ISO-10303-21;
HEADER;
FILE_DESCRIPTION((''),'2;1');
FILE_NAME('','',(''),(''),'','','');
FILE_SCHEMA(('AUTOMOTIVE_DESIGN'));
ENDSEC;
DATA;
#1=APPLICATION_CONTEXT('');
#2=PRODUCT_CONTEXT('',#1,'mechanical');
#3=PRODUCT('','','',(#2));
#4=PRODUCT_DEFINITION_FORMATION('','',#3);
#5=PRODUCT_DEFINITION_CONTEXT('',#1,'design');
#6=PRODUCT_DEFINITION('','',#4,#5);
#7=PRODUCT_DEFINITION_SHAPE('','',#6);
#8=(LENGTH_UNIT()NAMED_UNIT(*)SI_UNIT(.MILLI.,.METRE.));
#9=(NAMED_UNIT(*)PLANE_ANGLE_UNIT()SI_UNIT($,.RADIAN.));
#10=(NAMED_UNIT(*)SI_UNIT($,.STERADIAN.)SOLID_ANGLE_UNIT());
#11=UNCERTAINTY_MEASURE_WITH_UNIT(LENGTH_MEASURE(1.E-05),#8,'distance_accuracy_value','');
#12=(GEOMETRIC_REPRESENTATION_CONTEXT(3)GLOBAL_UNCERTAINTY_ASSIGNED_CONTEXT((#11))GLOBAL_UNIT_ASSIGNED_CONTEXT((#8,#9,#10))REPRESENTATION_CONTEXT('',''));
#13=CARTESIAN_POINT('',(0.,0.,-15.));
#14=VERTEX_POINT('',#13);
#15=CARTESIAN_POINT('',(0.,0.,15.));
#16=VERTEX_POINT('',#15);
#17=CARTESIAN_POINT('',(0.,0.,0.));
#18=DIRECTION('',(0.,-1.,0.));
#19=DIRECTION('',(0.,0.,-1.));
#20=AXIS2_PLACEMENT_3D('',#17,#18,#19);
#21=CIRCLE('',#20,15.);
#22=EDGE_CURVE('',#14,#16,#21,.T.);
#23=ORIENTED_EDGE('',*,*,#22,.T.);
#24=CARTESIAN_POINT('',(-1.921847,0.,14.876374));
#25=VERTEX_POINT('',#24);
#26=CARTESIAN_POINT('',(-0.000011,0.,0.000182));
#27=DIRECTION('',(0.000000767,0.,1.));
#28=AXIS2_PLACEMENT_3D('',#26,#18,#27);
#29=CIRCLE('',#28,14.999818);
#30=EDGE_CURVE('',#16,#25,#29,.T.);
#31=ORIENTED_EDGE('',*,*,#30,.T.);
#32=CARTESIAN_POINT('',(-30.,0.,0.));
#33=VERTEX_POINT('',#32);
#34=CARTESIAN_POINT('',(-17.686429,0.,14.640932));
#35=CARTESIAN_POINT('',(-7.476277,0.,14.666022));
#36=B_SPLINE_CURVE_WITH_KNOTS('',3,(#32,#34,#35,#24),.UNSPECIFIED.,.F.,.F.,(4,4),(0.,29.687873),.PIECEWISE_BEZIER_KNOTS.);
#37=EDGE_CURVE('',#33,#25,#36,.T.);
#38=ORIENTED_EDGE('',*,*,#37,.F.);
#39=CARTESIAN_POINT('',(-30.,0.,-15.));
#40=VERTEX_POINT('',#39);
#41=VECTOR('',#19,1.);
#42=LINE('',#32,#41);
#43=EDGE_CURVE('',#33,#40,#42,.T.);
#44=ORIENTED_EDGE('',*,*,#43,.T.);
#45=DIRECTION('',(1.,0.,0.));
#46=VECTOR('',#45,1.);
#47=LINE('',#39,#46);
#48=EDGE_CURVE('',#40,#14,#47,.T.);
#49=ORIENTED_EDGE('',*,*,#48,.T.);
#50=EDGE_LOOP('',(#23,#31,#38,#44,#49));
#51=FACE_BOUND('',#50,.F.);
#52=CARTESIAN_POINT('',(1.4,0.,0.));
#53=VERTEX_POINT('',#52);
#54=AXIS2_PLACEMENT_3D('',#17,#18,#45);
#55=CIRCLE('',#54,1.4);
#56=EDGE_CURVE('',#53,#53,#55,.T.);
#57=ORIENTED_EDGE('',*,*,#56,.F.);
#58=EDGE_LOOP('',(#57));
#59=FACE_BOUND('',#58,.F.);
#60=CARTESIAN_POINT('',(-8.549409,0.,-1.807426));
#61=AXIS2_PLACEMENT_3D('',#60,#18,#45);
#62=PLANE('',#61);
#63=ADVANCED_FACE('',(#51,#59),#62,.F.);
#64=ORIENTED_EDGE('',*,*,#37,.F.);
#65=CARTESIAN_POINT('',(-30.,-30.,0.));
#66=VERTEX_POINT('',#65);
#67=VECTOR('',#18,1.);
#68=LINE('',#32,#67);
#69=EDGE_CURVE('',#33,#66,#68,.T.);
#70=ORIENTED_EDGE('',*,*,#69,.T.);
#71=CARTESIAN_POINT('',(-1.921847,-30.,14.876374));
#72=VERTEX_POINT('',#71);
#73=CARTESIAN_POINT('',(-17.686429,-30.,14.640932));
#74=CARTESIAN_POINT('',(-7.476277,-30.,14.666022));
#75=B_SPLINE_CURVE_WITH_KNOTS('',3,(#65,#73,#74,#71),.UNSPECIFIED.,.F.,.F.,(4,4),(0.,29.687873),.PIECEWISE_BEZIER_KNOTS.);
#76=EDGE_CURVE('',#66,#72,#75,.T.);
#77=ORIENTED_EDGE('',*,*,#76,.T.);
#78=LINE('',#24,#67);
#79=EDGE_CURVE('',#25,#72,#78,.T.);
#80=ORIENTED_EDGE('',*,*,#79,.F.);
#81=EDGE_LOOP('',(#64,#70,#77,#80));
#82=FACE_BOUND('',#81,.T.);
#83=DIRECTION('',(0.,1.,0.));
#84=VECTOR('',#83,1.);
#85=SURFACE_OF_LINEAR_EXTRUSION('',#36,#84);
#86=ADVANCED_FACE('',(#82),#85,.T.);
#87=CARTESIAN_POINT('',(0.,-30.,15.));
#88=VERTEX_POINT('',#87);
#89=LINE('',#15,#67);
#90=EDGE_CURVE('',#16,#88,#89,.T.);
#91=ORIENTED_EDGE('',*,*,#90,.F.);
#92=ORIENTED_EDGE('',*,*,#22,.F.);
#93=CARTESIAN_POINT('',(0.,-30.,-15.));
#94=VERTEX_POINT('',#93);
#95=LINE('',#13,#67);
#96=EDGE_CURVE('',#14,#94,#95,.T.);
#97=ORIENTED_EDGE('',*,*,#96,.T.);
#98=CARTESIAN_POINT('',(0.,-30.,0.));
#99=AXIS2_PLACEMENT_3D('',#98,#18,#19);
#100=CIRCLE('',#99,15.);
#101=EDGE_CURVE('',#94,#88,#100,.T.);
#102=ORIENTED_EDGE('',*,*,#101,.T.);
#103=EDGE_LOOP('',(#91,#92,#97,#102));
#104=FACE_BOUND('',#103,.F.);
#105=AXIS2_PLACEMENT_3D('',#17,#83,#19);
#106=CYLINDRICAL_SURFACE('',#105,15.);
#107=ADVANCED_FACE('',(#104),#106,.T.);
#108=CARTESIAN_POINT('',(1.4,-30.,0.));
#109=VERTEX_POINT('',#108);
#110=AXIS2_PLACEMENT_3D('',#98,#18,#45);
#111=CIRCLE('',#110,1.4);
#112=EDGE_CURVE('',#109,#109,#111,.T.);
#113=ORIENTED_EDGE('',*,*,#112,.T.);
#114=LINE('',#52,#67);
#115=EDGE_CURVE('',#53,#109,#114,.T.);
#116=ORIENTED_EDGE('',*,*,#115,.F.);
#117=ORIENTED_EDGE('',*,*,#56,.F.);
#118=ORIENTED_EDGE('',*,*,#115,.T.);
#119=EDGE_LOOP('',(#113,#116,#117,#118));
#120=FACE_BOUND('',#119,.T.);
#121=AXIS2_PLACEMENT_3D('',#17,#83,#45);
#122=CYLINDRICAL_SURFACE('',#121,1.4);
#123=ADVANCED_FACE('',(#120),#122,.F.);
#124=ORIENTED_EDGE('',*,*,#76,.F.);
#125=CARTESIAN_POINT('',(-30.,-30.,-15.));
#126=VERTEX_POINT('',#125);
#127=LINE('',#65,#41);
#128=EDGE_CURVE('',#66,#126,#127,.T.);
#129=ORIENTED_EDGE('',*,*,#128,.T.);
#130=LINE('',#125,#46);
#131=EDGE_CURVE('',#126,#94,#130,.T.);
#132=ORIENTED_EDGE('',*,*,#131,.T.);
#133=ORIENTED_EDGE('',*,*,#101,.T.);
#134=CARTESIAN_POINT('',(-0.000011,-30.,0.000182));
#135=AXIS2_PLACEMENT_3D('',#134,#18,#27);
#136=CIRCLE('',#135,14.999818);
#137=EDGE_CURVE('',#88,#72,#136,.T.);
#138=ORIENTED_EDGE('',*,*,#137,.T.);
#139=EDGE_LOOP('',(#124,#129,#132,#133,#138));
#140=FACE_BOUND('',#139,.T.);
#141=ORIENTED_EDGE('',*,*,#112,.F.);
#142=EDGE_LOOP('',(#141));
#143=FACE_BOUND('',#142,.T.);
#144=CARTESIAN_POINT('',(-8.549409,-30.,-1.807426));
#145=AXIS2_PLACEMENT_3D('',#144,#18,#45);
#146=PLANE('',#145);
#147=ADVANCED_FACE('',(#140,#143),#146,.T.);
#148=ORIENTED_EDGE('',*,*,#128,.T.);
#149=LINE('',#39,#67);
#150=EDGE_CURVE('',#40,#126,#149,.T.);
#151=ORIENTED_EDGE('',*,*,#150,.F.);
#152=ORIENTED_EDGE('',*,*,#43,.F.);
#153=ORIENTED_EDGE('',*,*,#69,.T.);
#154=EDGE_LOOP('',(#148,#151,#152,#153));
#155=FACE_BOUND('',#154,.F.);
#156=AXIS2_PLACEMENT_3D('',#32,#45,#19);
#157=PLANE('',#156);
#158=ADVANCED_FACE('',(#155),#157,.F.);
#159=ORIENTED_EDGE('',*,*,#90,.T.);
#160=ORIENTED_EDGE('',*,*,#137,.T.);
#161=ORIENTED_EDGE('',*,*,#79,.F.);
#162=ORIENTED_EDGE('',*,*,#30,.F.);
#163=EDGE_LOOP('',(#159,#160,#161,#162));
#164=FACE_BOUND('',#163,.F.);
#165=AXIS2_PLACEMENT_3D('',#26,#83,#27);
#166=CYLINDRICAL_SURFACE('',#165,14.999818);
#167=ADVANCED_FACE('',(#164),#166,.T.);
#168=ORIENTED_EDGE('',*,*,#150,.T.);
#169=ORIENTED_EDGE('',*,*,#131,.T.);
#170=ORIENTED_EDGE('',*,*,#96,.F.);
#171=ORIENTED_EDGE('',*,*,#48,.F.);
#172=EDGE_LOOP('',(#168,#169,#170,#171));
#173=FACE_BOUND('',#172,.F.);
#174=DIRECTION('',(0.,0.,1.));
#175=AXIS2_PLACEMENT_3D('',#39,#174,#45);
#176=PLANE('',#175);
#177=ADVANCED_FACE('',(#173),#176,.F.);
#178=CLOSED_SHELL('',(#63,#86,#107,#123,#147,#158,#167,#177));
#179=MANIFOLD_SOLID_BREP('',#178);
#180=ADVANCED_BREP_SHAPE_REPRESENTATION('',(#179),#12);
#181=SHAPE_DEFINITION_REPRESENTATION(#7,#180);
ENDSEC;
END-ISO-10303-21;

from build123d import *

# Parameters (mm, degrees)
F0_R     = 1.4
F1_DEPTH = 30


with BuildPart() as f1:
    # F0 (on Front) → F1 (new body)
    with BuildSketch(Plane.XZ):
        with BuildLine():
            Line((-30, -15), (0, -15))
            ThreePointArc((0, -15), (15, 0), (0, 15))
            add(Edge.make_bspline(
                [(-1.921847, 14.876374), (-1.200945, 14.903675), (-0.55847, 14.934098), (0, 15)],
                knots=[29.687873, 29.687873, 29.687873, 29.687873, 33.54102, 33.54102, 33.54102, 33.54102], degree=3))
            add(Edge.make_bspline(
                [(-30, 0), (-17.686429, 14.640932), (-7.476277, 14.666022), (-1.921847, 14.876374)],
                knots=[0, 0, 0, 0, 29.687873, 29.687873, 29.687873, 29.687873], degree=3))
            Line((-30, 0), (-30, -15))
        make_face()
        Circle(F0_R, mode=Mode.SUBTRACT)
        with BuildLine():
            add(Edge.make_bspline(
                [(-1.921847, 14.876374), (-1.200945, 14.903675), (-0.55847, 14.934098), (0, 15)],
                knots=[29.687873, 29.687873, 29.687873, 29.687873, 33.54102, 33.54102, 33.54102, 33.54102], degree=3))
            ThreePointArc((0, 15), (-0.962909, 14.969062), (-1.921847, 14.876374))
        make_face()
    extrude(amount=F1_DEPTH)


solid = f1.part
